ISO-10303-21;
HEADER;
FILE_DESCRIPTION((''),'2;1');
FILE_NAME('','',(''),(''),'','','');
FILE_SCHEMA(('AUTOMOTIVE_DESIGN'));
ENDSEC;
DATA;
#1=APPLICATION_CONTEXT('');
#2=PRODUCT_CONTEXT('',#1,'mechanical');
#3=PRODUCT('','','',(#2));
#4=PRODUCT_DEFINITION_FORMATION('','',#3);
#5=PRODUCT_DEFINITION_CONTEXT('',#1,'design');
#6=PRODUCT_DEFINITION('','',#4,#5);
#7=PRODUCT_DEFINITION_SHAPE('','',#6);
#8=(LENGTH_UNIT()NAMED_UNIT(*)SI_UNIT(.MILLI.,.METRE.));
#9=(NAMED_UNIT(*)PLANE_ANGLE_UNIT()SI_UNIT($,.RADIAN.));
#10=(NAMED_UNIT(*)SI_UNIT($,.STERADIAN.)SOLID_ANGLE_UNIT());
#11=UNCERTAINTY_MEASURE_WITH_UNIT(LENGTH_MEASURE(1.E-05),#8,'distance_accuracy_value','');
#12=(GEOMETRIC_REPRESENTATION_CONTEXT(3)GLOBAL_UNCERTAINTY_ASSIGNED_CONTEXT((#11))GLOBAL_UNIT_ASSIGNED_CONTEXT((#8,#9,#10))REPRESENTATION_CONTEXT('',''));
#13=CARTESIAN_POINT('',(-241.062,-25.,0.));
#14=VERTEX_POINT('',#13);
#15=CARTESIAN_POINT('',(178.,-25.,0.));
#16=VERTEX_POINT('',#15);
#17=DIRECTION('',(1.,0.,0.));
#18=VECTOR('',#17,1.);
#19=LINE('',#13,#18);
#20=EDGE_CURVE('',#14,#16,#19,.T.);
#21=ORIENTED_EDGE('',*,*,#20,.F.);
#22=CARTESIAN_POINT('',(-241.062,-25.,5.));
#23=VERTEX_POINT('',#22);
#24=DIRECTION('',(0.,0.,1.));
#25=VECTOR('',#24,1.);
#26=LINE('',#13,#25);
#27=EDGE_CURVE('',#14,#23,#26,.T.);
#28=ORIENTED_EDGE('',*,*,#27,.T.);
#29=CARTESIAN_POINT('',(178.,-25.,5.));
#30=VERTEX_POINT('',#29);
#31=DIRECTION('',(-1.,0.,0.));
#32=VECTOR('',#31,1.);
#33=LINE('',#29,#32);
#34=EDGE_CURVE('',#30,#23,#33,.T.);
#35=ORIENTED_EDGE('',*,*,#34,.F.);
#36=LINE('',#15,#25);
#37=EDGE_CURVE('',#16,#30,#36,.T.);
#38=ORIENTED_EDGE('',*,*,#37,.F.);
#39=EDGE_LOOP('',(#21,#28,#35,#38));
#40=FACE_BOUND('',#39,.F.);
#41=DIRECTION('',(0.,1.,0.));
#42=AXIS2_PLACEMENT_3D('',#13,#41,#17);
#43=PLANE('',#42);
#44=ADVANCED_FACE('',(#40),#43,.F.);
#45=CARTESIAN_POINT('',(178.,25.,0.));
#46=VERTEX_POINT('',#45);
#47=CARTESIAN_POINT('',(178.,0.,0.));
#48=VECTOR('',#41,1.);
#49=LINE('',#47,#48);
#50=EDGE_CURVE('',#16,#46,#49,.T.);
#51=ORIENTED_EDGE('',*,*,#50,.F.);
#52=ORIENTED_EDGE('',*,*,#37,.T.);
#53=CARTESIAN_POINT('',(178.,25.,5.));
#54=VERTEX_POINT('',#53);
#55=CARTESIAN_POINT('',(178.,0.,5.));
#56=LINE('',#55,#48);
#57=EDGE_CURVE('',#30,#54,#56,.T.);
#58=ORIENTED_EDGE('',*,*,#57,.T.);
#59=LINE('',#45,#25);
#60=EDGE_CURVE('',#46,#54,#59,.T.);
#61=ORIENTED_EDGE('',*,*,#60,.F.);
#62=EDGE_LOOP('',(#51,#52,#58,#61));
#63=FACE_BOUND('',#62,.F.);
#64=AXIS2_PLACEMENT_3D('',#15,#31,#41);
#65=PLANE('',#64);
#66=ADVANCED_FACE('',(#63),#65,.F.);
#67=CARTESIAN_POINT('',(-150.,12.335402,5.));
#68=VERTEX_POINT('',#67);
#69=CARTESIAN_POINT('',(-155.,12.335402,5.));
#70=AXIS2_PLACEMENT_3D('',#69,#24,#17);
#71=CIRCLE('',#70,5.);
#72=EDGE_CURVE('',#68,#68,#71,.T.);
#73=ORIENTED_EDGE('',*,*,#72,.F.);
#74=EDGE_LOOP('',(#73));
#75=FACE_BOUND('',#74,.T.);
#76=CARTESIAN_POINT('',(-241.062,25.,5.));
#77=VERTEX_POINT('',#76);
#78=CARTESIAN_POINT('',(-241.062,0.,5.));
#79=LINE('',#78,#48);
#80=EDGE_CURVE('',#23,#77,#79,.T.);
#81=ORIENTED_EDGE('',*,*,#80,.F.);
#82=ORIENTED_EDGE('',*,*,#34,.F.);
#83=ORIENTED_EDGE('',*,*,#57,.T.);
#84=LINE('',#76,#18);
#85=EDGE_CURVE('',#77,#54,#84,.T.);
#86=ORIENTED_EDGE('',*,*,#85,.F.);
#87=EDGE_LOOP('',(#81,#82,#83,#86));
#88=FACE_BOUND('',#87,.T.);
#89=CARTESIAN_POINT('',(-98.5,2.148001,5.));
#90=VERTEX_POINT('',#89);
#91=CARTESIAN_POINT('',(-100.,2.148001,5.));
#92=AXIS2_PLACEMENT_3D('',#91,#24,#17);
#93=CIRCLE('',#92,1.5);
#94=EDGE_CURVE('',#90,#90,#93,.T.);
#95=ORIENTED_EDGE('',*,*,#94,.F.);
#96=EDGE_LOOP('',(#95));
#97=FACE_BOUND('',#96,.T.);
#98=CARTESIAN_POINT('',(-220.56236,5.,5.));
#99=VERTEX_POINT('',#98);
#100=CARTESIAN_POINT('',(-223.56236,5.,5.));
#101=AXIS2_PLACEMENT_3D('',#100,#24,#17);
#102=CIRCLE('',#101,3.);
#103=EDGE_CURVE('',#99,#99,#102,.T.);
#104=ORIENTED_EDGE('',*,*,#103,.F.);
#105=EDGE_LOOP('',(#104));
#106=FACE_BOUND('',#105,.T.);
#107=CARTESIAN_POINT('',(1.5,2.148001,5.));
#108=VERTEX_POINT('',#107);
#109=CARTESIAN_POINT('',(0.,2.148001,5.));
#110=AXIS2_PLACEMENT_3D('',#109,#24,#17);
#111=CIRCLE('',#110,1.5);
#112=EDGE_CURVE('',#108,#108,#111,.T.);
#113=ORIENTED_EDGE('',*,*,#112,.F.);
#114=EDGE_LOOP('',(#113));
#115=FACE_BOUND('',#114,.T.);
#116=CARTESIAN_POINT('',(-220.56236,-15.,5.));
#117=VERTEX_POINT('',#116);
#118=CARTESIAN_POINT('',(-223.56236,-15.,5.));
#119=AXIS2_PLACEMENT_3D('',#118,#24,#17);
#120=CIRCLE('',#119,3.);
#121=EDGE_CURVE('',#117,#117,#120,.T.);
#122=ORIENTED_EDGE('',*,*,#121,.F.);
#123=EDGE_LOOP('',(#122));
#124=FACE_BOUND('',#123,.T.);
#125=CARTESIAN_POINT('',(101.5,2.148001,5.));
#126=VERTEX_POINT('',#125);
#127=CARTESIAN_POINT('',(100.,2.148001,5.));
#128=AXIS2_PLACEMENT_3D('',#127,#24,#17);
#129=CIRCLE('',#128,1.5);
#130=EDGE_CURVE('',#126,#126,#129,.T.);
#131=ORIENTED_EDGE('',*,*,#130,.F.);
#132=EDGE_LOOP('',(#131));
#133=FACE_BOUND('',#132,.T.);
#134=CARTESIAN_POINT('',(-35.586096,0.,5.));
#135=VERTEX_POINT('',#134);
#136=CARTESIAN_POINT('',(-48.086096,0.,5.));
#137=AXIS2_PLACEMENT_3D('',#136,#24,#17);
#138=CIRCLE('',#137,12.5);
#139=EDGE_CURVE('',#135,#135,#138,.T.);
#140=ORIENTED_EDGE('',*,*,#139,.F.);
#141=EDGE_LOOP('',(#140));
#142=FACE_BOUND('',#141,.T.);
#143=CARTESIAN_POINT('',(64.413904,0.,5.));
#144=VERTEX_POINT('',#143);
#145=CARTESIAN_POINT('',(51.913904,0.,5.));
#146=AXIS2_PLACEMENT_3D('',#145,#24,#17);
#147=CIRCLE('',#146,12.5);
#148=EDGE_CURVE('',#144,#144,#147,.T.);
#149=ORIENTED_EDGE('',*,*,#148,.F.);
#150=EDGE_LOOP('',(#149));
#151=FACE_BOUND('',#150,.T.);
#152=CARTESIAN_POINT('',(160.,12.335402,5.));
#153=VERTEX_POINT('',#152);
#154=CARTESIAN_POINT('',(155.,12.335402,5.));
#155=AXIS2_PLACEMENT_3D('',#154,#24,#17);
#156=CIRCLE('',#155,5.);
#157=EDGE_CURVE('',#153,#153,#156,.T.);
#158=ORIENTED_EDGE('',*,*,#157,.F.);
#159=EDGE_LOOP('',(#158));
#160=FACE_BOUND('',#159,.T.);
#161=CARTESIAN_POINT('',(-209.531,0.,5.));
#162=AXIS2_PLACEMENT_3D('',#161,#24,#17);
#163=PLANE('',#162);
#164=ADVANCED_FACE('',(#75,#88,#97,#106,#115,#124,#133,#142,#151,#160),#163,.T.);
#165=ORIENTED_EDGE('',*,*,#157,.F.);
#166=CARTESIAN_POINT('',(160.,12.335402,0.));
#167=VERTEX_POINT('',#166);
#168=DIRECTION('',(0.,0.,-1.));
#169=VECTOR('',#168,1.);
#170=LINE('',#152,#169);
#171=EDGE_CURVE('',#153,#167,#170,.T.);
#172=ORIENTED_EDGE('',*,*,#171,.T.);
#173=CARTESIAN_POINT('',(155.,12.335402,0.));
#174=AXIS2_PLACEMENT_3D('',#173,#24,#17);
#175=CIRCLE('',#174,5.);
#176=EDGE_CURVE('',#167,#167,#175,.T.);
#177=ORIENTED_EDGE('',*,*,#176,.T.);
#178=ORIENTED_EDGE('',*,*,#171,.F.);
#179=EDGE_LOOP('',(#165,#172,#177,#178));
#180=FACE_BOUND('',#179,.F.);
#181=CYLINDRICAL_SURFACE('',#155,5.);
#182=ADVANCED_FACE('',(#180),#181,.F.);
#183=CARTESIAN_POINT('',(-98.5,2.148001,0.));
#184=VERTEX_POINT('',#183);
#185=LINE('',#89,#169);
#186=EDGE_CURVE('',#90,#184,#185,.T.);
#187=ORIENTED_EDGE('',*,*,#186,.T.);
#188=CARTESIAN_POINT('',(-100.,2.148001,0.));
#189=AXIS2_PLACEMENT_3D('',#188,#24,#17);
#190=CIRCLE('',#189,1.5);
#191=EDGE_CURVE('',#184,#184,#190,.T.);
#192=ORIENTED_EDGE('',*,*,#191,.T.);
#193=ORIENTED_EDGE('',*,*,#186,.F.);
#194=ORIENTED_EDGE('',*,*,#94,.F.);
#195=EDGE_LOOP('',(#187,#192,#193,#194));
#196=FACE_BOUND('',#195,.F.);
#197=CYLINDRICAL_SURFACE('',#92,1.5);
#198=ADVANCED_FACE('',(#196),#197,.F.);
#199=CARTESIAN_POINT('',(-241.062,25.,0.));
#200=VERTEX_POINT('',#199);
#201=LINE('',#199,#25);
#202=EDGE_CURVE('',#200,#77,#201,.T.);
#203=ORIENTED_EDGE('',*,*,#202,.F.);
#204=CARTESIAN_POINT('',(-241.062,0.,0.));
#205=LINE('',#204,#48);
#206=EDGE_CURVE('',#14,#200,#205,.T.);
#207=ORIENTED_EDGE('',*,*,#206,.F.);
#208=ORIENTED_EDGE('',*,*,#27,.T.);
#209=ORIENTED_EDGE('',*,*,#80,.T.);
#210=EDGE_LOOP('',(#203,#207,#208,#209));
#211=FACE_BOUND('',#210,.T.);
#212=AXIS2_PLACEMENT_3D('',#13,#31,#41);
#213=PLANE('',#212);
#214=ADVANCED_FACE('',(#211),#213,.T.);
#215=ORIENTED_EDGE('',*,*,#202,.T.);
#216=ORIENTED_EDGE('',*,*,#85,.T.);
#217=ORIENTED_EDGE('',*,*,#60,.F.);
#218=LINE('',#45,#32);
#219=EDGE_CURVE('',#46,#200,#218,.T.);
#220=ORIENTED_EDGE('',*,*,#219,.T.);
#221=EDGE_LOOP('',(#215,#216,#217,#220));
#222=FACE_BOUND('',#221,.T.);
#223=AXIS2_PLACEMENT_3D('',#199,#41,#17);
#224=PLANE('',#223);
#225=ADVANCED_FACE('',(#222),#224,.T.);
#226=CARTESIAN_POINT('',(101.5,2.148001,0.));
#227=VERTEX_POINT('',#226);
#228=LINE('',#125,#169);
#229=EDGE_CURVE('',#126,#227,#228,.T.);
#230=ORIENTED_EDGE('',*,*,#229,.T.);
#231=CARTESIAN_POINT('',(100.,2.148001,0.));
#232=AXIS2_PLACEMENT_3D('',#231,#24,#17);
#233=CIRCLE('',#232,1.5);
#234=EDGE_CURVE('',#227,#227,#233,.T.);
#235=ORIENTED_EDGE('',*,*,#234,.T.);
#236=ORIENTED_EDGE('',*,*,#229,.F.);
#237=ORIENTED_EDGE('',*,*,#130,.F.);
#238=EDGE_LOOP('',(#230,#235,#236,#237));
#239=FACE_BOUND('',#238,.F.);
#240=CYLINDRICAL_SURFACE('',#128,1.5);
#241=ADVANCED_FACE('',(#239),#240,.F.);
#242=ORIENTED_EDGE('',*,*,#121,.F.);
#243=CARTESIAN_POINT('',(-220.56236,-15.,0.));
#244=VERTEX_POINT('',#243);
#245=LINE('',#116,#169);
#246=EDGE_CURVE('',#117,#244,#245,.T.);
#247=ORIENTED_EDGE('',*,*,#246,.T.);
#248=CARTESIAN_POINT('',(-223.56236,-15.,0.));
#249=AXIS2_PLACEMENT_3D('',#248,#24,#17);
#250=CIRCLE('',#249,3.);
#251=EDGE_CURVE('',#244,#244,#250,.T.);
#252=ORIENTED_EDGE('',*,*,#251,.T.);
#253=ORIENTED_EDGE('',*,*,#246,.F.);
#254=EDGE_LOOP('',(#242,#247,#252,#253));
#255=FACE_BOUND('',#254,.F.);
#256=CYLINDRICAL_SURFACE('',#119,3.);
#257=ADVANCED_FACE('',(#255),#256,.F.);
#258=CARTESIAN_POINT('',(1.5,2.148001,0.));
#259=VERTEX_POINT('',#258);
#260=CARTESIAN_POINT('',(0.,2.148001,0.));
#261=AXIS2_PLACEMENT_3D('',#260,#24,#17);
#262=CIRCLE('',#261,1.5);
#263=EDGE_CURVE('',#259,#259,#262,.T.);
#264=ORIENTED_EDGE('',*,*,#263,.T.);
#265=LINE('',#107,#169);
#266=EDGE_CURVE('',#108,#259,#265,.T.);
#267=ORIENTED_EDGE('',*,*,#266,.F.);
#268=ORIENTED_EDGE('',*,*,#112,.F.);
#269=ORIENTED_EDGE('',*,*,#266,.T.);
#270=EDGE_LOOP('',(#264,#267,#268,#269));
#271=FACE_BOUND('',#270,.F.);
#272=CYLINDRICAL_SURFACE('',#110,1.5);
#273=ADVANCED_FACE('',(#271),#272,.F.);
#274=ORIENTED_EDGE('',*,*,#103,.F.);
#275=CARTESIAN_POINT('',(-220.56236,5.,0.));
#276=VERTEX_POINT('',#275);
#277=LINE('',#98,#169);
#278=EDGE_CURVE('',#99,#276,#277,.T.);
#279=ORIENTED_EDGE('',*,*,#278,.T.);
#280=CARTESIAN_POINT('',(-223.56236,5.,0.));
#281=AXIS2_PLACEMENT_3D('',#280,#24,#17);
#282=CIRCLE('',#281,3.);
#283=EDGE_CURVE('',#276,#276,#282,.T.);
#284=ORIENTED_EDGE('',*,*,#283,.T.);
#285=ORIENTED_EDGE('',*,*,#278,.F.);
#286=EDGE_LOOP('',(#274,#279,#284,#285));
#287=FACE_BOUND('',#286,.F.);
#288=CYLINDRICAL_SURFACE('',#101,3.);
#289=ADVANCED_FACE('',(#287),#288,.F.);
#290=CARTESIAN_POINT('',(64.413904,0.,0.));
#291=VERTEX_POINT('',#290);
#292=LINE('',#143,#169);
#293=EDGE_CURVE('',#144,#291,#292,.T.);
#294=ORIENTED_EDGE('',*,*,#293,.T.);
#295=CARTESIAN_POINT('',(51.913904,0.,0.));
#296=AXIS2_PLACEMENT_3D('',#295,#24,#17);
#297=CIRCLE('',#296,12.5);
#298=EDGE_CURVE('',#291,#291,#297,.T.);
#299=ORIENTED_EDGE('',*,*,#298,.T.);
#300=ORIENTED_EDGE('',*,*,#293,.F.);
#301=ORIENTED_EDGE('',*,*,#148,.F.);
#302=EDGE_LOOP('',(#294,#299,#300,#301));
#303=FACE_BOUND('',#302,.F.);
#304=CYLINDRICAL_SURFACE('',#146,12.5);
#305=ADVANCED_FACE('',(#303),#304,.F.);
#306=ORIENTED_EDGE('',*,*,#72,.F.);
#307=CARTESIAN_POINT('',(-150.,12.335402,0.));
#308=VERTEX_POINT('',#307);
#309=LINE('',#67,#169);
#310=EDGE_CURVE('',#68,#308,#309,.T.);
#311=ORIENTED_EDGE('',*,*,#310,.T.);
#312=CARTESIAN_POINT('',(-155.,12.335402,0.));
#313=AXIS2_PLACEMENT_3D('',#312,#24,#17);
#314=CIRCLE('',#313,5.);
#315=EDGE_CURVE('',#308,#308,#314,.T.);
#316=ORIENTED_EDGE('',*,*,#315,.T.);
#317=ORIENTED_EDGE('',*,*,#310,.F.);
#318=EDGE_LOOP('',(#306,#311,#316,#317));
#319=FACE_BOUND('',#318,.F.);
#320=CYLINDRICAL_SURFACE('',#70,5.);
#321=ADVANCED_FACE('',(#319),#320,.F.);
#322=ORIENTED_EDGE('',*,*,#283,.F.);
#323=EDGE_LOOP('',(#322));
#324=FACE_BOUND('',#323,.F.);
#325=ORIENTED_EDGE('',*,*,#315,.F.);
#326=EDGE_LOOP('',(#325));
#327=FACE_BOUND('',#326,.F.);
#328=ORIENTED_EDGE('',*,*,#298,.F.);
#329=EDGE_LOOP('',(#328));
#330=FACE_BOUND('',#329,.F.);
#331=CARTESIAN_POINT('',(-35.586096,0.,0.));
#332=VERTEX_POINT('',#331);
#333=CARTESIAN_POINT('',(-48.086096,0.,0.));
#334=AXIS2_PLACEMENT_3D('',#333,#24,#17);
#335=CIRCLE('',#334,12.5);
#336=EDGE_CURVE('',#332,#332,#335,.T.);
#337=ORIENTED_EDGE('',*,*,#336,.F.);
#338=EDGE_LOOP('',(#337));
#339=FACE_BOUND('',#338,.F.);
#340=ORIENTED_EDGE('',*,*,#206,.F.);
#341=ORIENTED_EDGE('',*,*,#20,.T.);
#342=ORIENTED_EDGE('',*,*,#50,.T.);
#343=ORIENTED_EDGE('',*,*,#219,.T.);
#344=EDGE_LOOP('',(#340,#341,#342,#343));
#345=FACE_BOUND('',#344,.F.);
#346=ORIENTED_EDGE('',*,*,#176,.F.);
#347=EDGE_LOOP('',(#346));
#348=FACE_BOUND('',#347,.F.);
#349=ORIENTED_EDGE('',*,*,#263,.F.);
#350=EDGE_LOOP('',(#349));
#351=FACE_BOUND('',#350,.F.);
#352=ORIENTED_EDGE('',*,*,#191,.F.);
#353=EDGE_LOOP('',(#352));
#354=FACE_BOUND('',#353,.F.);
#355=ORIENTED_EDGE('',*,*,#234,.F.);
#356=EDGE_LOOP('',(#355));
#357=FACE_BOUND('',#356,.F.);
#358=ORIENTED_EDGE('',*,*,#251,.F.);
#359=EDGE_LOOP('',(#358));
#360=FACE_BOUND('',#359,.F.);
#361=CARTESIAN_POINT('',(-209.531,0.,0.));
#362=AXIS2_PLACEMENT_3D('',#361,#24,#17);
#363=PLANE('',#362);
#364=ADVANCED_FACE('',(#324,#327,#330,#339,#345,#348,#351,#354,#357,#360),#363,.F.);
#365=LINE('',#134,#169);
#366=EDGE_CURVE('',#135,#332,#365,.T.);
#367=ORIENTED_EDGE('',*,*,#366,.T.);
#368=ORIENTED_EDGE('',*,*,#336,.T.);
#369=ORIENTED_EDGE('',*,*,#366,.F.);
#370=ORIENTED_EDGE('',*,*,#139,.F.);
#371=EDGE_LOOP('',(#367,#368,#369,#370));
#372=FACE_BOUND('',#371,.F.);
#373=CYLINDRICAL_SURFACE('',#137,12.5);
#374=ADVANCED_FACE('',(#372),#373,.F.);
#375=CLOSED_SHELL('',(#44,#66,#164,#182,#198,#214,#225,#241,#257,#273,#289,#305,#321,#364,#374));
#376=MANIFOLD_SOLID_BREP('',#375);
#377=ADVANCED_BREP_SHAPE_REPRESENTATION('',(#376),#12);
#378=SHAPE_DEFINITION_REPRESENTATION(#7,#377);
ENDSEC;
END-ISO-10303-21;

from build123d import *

# Parameters (mm, degrees)
F0_W      = 356
F0_H      = 50
F1_DEPTH  = 5
F2_R      = 5
F2_R_2    = 12.5
F3_DEPTH  = 5.001
F4_R      = 1.5
F5_DEPTH  = 5.001
F6_W      = 49.406879
F6_H      = 21.095738
F7_DEPTH  = 25
F9_W      = 63.062
F9_H      = 50
F10_DEPTH = 5
F11_R     = 3
F12_DEPTH = 25


with BuildPart() as f1:
    # F0 (on Top) → F1 (new body)
    with BuildSketch(Plane.XY):
        Rectangle(F0_W, F0_H)
    extrude(amount=F1_DEPTH)

    # F2 (on face) → F3 (cut, through all)
    with BuildSketch(Plane.XY.offset(5)):
        with Locations((-155, 12.335402)):
            Circle(F2_R)
        with Locations((155, 12.335402)):
            Circle(F2_R)
        with Locations((-48.086096, 0)):
            Circle(F2_R_2)
        with Locations((51.913904, 0)):
            Circle(F2_R_2)
    extrude(amount=-F3_DEPTH, mode=Mode.SUBTRACT)

    # F4 (on face) → F5 (cut, through all)
    with BuildSketch(Plane.XY.offset(5)):
        with Locations((0, 2.148001)):
            Circle(F4_R)
        with Locations((100, 2.148001)):
            Circle(F4_R)
        with Locations((-100, 2.148001)):
            Circle(F4_R)
    extrude(amount=-F5_DEPTH, mode=Mode.SUBTRACT)

    # F9 (on Top) → F10 (join, through all)
    with BuildSketch(Plane.XY):
        with Locations((-209.531, 0)):
            Rectangle(F9_W, F9_H)
    extrude(amount=F10_DEPTH)

    # F11 (on face) → F12 (cut)
    with BuildSketch(Plane.XY.offset(5)):
        with Locations((-223.56236, 5)):
            Circle(F11_R)
        with Locations((-223.56236, -15)):
            Circle(F11_R)
    extrude(amount=-F12_DEPTH, mode=Mode.SUBTRACT)


with BuildPart() as f7:
    # F6 (on Top) → F7 (new body)
    with BuildSketch(Plane.XY):
        with Locations((37.024449, 48.380569)):
            Rectangle(F6_W, F6_H)
    extrude(amount=F7_DEPTH)


solid = f1.part
